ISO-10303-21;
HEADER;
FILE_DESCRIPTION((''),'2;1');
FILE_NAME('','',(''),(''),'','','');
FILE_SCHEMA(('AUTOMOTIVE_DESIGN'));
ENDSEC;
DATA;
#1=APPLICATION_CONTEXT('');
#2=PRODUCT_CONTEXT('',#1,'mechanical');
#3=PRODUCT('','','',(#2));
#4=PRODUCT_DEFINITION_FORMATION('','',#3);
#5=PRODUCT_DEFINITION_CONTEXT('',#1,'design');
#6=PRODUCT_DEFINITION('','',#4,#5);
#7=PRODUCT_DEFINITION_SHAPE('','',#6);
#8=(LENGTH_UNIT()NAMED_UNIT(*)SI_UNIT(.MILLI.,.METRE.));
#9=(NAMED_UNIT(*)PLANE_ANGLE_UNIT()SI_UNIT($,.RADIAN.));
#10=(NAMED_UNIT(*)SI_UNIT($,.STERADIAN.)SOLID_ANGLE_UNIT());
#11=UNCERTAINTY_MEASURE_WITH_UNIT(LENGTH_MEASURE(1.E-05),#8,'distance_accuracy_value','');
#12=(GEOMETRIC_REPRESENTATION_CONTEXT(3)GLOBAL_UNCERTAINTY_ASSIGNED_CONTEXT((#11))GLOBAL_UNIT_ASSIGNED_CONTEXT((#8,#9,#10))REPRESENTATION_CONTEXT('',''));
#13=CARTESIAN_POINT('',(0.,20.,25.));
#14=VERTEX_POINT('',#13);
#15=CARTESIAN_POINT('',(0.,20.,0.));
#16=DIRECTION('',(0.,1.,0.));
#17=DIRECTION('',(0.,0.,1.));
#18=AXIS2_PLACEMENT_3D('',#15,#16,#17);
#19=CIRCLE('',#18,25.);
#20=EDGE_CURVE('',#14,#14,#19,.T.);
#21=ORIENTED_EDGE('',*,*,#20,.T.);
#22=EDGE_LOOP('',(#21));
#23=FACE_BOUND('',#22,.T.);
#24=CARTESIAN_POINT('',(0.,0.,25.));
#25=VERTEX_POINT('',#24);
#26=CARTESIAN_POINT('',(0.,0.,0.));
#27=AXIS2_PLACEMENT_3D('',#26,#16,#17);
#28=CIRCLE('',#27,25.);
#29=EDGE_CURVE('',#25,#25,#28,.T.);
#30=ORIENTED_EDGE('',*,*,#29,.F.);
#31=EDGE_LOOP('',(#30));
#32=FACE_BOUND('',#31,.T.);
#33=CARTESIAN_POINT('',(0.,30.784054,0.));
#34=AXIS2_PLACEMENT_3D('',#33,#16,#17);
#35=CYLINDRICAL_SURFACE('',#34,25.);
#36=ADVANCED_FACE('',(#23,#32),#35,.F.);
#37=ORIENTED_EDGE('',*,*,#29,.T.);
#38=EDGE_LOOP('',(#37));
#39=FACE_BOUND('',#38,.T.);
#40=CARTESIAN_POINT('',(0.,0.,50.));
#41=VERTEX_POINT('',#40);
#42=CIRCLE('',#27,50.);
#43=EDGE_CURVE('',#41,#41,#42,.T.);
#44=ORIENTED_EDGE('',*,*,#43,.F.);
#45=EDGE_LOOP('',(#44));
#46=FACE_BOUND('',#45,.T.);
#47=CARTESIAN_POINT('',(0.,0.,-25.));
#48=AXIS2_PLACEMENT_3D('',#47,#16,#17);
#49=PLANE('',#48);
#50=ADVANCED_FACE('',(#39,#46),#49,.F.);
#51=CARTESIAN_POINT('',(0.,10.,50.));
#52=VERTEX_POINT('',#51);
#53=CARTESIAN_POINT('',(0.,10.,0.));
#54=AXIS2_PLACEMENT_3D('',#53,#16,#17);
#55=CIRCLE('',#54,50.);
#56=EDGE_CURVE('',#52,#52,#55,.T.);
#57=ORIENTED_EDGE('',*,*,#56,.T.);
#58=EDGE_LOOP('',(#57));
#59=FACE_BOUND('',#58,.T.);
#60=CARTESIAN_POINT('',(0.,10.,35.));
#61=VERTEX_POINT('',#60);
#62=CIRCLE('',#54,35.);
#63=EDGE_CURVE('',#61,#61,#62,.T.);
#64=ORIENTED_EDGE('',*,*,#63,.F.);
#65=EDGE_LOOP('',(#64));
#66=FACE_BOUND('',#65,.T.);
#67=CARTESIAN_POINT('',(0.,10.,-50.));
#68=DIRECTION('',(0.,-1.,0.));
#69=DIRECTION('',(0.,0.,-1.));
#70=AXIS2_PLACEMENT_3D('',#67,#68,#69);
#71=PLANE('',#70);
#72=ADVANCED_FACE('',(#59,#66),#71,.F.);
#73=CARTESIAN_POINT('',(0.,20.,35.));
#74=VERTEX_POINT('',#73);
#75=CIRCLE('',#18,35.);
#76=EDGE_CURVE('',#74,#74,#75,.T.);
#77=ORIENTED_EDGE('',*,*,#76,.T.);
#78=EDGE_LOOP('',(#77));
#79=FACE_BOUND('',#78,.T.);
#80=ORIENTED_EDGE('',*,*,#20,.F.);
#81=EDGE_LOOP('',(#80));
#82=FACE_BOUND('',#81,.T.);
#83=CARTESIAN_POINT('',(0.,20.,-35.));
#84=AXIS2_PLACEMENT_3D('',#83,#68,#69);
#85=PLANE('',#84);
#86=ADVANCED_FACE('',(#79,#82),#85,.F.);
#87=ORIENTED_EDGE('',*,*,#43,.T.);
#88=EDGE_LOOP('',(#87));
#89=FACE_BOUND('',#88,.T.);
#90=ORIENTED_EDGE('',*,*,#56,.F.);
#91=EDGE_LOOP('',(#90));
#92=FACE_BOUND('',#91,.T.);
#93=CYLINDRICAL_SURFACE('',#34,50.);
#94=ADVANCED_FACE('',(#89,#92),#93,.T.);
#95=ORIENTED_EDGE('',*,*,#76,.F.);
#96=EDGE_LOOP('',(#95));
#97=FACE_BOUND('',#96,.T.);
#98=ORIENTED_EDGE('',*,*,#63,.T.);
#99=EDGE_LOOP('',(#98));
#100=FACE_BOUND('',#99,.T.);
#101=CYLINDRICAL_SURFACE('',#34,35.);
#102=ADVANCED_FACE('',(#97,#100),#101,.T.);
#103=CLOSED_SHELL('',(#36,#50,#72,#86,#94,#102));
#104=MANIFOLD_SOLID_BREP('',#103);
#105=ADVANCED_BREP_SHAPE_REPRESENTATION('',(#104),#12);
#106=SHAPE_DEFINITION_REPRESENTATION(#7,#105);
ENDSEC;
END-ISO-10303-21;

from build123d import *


with BuildPart() as part:
    # Эскиз1 → Повернуть1 (revolve)
    with BuildSketch(Plane(origin=(0, 0, 0), x_dir=(0, 0, -1), z_dir=(1, 0, 0))):
        Polygon((25, 0), (50, 0), (50, 10), (35, 10), (35, 20), (25, 20), align=None)
    revolve(axis=Axis((0, 30.784053945, 0), (0, -1, 0)))


solid = part.part
